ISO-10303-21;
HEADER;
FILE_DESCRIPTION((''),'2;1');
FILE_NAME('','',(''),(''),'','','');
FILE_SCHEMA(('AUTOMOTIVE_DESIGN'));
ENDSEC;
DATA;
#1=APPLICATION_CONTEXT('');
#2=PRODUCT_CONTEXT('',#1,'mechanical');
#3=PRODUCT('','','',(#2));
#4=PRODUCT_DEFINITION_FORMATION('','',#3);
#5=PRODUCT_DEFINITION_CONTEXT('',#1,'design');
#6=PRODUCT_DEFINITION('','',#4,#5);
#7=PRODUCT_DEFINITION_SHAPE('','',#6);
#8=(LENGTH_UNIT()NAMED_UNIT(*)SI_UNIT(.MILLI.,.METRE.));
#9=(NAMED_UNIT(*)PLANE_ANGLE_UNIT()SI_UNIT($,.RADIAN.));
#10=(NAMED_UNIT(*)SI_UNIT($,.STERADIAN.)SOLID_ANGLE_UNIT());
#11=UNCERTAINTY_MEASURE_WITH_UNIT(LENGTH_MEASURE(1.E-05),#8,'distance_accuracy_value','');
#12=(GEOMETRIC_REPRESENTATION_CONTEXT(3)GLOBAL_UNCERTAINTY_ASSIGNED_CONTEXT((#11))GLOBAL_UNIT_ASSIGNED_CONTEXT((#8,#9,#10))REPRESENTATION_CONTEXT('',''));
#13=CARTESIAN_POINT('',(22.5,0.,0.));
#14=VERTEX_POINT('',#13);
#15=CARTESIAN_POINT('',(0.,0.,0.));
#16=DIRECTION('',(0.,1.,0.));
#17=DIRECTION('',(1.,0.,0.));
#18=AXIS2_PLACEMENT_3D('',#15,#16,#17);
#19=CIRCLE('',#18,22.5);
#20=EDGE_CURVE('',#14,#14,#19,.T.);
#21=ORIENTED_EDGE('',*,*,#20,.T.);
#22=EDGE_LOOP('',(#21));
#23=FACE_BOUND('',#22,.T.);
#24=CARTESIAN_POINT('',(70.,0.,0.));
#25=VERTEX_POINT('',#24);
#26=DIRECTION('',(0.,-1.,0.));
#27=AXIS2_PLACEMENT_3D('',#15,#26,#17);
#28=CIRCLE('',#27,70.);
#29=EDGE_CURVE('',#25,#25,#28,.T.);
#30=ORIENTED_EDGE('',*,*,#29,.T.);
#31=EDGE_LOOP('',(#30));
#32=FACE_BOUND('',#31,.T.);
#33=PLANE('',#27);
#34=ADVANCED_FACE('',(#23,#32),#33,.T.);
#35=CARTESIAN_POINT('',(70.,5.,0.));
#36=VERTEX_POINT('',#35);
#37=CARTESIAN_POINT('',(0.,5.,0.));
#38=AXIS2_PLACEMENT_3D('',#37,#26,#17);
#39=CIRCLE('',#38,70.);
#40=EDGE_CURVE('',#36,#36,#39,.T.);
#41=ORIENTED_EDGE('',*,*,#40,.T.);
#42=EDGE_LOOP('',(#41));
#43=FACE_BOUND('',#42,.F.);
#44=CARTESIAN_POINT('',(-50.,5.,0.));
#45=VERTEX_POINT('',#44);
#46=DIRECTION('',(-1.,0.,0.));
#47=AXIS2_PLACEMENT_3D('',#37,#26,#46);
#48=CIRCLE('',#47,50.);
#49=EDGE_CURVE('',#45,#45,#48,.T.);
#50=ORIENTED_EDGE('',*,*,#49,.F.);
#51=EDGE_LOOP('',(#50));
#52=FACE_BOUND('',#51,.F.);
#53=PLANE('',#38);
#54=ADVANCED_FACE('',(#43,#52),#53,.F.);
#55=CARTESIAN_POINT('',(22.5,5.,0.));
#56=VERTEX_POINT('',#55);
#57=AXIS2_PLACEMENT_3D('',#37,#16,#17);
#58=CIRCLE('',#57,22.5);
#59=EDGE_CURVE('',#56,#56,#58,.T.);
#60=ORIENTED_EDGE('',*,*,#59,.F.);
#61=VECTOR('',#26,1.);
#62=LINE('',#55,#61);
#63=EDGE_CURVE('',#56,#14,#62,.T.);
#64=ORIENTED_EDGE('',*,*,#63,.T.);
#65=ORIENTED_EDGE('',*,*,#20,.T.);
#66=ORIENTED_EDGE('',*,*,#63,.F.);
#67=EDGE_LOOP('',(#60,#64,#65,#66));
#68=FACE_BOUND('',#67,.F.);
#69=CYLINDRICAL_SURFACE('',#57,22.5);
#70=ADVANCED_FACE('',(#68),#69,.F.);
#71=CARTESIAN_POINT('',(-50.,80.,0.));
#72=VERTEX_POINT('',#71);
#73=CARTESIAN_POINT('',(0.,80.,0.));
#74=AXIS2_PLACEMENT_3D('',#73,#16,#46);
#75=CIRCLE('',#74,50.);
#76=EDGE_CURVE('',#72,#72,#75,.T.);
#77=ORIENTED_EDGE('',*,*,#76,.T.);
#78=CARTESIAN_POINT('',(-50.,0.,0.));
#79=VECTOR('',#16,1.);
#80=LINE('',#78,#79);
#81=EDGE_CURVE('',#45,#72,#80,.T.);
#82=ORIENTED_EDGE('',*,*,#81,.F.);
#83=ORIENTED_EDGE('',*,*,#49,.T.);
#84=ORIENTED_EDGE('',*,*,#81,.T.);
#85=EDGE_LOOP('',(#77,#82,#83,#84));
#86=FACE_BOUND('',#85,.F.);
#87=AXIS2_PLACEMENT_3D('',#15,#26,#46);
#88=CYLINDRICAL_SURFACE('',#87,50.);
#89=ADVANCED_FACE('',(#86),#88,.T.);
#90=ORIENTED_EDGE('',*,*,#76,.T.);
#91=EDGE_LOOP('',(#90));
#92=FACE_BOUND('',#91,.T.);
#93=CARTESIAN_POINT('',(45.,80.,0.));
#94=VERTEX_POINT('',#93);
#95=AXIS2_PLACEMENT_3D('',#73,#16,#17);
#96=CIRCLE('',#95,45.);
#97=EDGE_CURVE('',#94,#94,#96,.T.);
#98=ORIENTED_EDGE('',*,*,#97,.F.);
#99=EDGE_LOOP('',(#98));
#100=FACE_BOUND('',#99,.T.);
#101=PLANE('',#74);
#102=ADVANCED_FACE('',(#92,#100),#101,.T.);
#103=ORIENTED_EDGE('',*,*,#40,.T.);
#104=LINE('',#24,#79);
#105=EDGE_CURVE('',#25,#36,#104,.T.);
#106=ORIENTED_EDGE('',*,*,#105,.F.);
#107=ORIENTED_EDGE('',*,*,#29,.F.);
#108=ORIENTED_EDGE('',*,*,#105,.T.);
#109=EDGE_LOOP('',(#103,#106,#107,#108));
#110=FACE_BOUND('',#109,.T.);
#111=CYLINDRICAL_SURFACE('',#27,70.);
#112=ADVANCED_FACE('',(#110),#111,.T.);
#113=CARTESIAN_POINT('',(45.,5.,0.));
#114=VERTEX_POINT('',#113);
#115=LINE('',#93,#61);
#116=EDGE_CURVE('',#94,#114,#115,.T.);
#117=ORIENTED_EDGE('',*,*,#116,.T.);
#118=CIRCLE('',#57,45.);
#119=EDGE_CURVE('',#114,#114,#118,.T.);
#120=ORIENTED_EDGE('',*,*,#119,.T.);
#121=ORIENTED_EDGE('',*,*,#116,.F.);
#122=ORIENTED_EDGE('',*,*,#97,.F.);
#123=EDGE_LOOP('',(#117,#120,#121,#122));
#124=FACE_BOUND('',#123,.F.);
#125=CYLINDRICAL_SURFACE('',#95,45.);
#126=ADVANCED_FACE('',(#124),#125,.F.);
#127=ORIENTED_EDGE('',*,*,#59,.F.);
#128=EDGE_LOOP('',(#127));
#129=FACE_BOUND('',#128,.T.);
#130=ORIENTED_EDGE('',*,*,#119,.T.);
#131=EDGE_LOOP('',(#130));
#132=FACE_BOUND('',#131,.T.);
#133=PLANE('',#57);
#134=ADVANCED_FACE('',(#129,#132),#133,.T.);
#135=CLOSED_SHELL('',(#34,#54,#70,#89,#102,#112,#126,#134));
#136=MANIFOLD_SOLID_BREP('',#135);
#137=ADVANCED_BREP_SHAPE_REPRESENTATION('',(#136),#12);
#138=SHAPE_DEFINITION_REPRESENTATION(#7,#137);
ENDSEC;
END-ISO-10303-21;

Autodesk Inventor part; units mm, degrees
ref_plane "YZ Plane" through (0, 0, 0) normal (1, 0, 0) x (0, 1, 0)
ref_plane "XZ Plane" through (0, 0, 0) normal (0, 1, 0) x (-1, 0, 0)
ref_plane "XY Plane" through (0, 0, 0) normal (0, 0, 1) x (1, 0, 0)
sketch "Szkic1" plane through (0, 0, 0) normal (0, 1, 0) x (-1, 0, 0)
  circle A0 centre (0, 0) radius 50
  dimension "d0" = 100
extrude "Wyciągnięcie proste1" add sketch "Szkic1" along normal blind 80
sketch "Szkic2" plane through (0, 80, 0) normal (0, 1, 0) x (1, 0, 0)
  circle A0 centre (0, 0) radius 45
  dimension "d3" = 90
extrude "Wyciągnięcie proste2" cut sketch "Szkic2" against normal blind 75
sketch "Szkic3" plane through (0, 5, 0) normal (0, 1, 0) x (1, 0, 0)
  point P0 (0, 0)
sketch "Szkic4" plane through (0, 5, 0) normal (0, 1, 0) x (1, 0, 0)
  circle A0 centre (0, 0) radius 22.5
  dimension "d6" = 45
extrude "Wyciągnięcie proste3" cut sketch "Szkic4" against normal blind 75
sketch "Szkic9" plane through (0, 5, 0) normal (0, 1, 0) x (1, 0, 0)
  point P0 (0, 0)
sketch "Szkic10" plane through (0, 0, 0) normal (0, -1, 0) x (1, 0, 0)
  circle A0 centre (0, 0) radius 70
  circle A1 centre (0, 0) radius 40.2417
  dimension "d14" = 140
extrude "Wyciągnięcie proste4" add sketch "Szkic10" against normal blind 5
sketch "Szkic11" plane through (0, 5, 0) normal (0, 1, 0) x (1, 0, 0)
  point P0 (0, 0)
properties part number "Walec"
